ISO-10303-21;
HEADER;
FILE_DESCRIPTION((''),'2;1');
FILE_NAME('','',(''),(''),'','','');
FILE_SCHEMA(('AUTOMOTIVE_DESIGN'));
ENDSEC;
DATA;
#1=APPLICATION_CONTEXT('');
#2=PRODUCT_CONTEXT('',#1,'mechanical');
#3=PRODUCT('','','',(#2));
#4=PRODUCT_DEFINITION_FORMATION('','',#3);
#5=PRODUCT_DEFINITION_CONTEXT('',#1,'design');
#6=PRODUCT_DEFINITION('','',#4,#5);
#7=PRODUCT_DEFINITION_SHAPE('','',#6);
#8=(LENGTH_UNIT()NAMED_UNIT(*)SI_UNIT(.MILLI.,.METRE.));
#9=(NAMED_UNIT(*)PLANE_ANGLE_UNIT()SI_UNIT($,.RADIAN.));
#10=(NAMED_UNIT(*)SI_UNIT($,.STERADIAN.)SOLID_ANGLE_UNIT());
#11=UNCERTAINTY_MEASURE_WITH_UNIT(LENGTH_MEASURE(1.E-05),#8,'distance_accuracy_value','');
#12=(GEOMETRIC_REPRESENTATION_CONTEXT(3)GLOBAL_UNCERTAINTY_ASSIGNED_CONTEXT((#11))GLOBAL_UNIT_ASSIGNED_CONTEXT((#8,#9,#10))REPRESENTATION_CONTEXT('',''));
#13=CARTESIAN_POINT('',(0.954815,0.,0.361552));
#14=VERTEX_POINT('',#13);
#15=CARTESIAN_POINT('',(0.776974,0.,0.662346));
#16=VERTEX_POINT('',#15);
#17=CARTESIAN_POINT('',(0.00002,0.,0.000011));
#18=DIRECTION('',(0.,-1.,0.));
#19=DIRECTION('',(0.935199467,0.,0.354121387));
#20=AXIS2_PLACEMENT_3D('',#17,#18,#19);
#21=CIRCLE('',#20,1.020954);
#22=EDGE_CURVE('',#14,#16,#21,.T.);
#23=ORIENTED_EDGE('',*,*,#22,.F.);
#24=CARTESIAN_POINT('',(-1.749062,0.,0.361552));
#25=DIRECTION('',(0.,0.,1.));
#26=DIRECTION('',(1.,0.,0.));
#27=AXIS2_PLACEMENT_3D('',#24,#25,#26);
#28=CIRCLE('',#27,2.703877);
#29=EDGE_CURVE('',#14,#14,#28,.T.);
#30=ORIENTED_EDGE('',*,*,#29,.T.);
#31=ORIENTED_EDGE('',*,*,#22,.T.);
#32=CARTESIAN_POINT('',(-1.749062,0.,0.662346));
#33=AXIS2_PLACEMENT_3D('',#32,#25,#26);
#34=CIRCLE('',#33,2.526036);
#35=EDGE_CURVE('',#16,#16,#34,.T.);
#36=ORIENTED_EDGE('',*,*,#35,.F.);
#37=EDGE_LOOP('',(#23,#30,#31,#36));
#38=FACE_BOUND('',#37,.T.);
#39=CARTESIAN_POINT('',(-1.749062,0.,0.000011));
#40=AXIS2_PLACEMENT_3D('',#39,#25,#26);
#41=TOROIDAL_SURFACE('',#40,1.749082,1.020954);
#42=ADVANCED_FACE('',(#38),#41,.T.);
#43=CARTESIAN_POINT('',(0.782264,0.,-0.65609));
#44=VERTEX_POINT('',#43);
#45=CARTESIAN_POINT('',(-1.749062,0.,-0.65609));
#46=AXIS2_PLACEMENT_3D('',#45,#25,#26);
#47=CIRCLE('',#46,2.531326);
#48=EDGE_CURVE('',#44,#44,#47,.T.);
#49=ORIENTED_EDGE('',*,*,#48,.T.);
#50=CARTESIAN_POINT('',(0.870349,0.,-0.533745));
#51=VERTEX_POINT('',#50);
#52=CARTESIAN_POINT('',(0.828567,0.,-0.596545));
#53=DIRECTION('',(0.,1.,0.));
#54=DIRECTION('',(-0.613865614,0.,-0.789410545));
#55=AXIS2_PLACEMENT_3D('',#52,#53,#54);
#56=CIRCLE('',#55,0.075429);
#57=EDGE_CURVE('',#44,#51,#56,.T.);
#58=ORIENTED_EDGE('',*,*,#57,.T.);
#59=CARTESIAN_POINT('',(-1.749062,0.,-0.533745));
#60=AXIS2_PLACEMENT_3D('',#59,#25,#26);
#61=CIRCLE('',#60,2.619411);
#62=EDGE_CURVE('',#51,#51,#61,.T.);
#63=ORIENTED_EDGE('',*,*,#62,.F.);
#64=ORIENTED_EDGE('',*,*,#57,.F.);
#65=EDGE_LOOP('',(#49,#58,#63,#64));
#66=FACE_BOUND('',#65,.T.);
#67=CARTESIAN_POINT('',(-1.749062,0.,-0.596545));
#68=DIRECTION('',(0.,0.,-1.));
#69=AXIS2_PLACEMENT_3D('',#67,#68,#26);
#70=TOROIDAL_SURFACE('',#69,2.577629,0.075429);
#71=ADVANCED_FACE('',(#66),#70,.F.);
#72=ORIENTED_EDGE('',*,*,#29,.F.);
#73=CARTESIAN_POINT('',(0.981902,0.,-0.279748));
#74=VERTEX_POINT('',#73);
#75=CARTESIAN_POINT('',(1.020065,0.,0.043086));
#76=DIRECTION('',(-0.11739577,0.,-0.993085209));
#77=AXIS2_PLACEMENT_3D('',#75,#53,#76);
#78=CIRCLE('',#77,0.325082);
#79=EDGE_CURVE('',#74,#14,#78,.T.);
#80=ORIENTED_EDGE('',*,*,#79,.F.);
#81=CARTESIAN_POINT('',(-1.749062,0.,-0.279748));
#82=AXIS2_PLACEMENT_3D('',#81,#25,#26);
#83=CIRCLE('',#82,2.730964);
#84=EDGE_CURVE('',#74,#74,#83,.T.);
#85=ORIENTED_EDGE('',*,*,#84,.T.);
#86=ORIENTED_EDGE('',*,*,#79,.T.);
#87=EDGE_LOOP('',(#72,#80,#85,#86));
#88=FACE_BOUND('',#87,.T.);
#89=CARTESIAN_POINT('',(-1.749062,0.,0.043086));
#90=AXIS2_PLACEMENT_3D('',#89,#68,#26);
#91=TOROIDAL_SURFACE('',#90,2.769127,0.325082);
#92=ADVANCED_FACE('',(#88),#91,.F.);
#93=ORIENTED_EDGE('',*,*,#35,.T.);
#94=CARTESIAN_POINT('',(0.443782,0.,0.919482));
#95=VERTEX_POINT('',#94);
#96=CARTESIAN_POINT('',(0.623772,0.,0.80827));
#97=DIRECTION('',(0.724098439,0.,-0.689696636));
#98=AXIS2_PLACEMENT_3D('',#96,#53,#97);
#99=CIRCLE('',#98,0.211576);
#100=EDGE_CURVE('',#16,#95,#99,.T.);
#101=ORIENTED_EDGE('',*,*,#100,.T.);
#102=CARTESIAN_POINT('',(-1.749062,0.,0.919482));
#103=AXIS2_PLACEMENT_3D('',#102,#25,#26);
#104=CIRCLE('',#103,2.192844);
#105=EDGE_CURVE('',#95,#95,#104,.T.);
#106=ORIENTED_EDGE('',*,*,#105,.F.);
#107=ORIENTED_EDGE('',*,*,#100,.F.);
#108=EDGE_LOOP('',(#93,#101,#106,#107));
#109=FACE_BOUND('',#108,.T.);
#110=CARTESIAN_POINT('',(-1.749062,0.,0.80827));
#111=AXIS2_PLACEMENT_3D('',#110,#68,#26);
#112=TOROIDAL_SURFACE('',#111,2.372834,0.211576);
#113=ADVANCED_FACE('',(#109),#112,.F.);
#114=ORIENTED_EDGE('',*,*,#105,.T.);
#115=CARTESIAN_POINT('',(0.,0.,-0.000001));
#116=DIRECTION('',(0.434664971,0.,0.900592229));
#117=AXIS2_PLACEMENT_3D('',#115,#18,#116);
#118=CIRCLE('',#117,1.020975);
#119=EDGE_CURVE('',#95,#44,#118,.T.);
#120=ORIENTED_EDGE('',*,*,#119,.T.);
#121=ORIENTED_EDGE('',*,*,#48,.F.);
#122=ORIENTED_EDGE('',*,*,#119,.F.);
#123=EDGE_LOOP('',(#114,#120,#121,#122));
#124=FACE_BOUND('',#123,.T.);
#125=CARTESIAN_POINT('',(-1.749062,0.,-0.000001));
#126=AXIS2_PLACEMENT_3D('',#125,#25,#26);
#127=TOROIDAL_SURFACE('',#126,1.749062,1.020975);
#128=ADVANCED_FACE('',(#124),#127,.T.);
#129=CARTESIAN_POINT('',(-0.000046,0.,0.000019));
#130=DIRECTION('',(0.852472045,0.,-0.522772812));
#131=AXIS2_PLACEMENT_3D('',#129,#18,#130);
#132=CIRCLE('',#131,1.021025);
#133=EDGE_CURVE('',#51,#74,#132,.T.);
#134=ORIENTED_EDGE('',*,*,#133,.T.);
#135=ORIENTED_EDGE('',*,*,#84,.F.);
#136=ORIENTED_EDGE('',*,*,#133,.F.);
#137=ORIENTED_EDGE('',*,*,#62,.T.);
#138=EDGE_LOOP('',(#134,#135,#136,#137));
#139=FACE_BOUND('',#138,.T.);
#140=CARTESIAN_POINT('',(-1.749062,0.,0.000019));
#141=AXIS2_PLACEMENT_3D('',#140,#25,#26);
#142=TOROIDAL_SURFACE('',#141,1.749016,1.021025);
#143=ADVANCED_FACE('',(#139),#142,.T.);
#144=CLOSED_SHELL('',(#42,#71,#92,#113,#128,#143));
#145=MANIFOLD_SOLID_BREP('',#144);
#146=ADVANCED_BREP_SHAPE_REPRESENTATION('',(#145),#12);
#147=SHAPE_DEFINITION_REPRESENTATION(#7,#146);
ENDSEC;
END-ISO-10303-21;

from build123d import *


with BuildPart() as f1:
    # F0 (on Front) → F1 (revolve)
    with BuildSketch(Plane.XZ):
        with BuildLine():
            ThreePointArc((0.782264, -0.65609), (0.767353, -0.552473), (0.870349, -0.533745))
            ThreePointArc((0.870349, -0.533745), (0.934792, -0.410553), (0.981902, -0.279748))
            ThreePointArc((0.981902, -0.279748), (0.695273, 0.029367), (0.954815, 0.361552))
            ThreePointArc((0.954815, 0.361552), (0.878859, 0.519614), (0.776974, 0.662346))
            ThreePointArc((0.776974, 0.662346), (0.494508, 0.640772), (0.443782, 0.919482))
            ThreePointArc((0.443782, 0.919482), (-0.998201, -0.214444), (0.782264, -0.65609))
        make_face()
    revolve(axis=Axis((-1.749062, 0, 0.967558), (0, 0, 1)))


solid = f1.part
